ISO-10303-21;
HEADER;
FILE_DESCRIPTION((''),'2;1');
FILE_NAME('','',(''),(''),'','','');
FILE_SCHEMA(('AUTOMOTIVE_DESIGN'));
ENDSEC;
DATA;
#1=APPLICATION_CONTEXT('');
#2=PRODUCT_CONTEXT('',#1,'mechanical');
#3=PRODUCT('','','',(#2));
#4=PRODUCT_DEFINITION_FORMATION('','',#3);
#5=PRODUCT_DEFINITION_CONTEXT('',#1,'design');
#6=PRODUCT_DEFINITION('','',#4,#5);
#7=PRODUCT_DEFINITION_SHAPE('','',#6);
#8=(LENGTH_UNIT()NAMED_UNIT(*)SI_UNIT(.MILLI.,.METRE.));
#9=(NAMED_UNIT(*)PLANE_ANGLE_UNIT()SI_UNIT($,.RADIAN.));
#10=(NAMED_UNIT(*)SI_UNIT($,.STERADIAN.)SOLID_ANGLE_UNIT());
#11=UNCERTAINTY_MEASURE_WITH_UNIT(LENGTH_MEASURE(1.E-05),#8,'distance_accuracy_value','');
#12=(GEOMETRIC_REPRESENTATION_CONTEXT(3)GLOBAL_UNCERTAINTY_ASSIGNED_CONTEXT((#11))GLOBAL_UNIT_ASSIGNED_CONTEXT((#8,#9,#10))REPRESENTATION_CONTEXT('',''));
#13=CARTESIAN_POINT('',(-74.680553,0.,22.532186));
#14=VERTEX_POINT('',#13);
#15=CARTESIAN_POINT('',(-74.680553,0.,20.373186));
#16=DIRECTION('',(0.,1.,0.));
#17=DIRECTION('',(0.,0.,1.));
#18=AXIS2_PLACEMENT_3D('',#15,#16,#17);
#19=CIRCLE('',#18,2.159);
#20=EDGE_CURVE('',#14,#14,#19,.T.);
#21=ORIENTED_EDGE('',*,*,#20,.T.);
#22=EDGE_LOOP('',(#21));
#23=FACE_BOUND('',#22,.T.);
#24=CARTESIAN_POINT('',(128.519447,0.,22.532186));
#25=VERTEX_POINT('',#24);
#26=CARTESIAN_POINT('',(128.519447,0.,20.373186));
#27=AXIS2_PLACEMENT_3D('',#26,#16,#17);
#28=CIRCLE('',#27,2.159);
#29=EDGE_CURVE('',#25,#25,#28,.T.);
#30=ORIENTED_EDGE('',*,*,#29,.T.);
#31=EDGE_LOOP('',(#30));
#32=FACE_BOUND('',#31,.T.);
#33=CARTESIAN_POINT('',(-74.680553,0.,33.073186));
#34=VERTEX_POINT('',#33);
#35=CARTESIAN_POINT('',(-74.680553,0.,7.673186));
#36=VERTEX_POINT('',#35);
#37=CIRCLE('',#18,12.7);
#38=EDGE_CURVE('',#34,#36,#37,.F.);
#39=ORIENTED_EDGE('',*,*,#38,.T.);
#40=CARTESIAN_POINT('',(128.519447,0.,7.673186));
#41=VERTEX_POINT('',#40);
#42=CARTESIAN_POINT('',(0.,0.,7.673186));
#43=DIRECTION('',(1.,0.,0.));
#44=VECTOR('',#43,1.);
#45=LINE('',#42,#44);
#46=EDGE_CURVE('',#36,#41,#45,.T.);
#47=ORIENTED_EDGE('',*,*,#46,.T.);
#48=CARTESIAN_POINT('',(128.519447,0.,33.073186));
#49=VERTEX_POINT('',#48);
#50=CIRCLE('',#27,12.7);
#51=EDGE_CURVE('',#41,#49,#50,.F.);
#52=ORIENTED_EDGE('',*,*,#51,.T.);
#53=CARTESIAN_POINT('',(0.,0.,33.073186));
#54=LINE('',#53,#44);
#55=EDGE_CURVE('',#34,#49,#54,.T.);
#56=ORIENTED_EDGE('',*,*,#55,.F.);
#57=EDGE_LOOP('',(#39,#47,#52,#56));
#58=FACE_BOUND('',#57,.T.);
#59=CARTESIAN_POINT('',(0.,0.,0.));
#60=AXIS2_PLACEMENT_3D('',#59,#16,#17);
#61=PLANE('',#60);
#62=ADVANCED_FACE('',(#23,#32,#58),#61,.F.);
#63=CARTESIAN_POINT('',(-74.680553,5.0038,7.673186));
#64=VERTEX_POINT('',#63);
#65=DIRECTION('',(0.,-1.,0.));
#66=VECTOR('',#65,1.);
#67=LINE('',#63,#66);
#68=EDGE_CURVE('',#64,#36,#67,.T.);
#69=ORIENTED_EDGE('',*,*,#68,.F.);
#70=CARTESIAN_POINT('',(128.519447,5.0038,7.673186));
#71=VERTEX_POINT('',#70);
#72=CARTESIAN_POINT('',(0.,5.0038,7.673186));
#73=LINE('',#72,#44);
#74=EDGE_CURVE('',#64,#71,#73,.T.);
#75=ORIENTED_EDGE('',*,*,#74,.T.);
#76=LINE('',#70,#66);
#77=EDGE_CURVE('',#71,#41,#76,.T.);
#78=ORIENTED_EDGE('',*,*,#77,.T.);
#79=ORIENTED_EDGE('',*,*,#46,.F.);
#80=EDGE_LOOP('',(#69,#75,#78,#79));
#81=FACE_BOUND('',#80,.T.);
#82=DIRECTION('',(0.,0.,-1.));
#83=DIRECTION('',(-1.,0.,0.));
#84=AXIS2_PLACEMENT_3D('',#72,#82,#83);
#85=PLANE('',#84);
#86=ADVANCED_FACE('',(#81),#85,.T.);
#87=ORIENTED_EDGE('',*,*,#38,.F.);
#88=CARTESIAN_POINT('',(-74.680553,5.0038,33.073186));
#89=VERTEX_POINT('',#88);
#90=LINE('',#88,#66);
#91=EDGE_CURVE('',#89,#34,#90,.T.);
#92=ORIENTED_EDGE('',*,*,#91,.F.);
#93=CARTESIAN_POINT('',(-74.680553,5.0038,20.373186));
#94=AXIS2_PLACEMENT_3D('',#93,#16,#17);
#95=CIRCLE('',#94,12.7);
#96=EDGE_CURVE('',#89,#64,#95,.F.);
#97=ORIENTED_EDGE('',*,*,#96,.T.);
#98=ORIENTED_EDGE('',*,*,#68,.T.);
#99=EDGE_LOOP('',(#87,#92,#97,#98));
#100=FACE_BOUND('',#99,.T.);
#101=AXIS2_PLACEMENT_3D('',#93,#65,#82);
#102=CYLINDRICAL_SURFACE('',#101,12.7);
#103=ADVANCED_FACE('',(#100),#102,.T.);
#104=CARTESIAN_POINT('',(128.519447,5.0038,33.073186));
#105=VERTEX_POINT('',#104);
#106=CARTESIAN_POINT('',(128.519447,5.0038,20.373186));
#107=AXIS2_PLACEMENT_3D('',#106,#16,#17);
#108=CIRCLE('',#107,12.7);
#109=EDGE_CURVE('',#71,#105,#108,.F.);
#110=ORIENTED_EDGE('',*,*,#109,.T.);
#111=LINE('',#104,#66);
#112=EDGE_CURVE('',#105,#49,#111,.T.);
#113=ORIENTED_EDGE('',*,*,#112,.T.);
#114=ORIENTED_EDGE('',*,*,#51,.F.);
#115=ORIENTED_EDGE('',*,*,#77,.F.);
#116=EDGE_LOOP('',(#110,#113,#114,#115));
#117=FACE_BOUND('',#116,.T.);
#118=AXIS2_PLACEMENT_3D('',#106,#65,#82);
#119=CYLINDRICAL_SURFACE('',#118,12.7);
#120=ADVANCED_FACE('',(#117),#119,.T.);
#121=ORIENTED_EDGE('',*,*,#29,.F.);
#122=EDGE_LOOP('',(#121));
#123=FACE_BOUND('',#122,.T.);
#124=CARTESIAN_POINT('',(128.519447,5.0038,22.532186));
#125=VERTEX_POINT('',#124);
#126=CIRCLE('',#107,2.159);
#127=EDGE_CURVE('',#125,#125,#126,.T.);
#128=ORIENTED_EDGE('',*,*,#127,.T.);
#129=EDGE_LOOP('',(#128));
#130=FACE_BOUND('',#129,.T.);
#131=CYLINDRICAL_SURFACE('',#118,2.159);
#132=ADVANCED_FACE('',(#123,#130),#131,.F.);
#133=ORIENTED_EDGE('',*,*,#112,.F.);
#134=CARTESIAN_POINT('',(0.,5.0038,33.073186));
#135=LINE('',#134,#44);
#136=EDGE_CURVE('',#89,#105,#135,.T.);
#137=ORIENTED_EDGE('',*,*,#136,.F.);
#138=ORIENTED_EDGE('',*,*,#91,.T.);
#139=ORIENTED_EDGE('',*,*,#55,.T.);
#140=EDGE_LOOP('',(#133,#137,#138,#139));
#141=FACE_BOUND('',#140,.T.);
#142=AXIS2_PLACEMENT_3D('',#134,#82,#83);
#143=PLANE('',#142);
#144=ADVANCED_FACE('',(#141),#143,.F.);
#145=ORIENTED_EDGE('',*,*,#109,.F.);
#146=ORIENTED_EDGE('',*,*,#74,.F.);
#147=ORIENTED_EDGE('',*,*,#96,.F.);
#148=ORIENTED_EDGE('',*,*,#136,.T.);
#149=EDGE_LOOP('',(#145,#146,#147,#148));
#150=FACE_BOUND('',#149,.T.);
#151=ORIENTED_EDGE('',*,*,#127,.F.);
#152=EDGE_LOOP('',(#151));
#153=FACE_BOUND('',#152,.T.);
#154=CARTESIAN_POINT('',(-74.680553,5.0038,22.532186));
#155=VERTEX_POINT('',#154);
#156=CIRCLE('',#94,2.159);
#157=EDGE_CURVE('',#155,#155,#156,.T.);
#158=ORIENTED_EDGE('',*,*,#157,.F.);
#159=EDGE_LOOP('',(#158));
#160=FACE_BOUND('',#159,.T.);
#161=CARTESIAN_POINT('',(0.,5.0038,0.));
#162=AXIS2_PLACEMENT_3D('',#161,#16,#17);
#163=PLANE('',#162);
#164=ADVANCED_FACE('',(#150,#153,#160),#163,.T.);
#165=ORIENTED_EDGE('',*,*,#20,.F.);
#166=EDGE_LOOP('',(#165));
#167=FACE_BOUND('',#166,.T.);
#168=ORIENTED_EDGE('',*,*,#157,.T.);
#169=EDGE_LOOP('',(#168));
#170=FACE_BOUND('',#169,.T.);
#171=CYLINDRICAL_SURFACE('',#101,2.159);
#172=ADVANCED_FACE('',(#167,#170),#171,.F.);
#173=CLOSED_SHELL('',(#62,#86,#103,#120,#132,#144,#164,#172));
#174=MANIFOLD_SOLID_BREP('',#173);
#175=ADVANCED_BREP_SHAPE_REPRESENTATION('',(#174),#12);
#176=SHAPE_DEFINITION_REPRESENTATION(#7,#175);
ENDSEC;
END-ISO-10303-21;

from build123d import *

# Parameters (mm, degrees)
SKETCH1_R           = 2.159
BOSS_EXTRUDE1_DEPTH = 5.0038


with BuildPart() as part:
    # Sketch1 → Boss-Extrude1 (new body)
    with BuildSketch(Plane(origin=(0, 0, 0), x_dir=(1, 0, 0), z_dir=(0, 1, 0))):
        with BuildLine():
            Line((-74.680553246, -7.673185862), (128.519446754, -7.673185862))
            ThreePointArc((128.519446754, -7.673185862), (141.219446754, -20.373185862), (128.519446754, -33.073185862))
            Line((128.519446754, -33.073185862), (-74.680553246, -33.073185862))
            ThreePointArc((-74.680553246, -33.073185862), (-87.380553246, -20.373185862), (-74.680553246, -7.673185862))
        make_face()
        with Locations((-74.680553246, -20.373185862)):
            Circle(SKETCH1_R, mode=Mode.SUBTRACT)
        with Locations((128.519446754, -20.373185862)):
            Circle(SKETCH1_R, mode=Mode.SUBTRACT)
    extrude(amount=BOSS_EXTRUDE1_DEPTH)


solid = part.part
